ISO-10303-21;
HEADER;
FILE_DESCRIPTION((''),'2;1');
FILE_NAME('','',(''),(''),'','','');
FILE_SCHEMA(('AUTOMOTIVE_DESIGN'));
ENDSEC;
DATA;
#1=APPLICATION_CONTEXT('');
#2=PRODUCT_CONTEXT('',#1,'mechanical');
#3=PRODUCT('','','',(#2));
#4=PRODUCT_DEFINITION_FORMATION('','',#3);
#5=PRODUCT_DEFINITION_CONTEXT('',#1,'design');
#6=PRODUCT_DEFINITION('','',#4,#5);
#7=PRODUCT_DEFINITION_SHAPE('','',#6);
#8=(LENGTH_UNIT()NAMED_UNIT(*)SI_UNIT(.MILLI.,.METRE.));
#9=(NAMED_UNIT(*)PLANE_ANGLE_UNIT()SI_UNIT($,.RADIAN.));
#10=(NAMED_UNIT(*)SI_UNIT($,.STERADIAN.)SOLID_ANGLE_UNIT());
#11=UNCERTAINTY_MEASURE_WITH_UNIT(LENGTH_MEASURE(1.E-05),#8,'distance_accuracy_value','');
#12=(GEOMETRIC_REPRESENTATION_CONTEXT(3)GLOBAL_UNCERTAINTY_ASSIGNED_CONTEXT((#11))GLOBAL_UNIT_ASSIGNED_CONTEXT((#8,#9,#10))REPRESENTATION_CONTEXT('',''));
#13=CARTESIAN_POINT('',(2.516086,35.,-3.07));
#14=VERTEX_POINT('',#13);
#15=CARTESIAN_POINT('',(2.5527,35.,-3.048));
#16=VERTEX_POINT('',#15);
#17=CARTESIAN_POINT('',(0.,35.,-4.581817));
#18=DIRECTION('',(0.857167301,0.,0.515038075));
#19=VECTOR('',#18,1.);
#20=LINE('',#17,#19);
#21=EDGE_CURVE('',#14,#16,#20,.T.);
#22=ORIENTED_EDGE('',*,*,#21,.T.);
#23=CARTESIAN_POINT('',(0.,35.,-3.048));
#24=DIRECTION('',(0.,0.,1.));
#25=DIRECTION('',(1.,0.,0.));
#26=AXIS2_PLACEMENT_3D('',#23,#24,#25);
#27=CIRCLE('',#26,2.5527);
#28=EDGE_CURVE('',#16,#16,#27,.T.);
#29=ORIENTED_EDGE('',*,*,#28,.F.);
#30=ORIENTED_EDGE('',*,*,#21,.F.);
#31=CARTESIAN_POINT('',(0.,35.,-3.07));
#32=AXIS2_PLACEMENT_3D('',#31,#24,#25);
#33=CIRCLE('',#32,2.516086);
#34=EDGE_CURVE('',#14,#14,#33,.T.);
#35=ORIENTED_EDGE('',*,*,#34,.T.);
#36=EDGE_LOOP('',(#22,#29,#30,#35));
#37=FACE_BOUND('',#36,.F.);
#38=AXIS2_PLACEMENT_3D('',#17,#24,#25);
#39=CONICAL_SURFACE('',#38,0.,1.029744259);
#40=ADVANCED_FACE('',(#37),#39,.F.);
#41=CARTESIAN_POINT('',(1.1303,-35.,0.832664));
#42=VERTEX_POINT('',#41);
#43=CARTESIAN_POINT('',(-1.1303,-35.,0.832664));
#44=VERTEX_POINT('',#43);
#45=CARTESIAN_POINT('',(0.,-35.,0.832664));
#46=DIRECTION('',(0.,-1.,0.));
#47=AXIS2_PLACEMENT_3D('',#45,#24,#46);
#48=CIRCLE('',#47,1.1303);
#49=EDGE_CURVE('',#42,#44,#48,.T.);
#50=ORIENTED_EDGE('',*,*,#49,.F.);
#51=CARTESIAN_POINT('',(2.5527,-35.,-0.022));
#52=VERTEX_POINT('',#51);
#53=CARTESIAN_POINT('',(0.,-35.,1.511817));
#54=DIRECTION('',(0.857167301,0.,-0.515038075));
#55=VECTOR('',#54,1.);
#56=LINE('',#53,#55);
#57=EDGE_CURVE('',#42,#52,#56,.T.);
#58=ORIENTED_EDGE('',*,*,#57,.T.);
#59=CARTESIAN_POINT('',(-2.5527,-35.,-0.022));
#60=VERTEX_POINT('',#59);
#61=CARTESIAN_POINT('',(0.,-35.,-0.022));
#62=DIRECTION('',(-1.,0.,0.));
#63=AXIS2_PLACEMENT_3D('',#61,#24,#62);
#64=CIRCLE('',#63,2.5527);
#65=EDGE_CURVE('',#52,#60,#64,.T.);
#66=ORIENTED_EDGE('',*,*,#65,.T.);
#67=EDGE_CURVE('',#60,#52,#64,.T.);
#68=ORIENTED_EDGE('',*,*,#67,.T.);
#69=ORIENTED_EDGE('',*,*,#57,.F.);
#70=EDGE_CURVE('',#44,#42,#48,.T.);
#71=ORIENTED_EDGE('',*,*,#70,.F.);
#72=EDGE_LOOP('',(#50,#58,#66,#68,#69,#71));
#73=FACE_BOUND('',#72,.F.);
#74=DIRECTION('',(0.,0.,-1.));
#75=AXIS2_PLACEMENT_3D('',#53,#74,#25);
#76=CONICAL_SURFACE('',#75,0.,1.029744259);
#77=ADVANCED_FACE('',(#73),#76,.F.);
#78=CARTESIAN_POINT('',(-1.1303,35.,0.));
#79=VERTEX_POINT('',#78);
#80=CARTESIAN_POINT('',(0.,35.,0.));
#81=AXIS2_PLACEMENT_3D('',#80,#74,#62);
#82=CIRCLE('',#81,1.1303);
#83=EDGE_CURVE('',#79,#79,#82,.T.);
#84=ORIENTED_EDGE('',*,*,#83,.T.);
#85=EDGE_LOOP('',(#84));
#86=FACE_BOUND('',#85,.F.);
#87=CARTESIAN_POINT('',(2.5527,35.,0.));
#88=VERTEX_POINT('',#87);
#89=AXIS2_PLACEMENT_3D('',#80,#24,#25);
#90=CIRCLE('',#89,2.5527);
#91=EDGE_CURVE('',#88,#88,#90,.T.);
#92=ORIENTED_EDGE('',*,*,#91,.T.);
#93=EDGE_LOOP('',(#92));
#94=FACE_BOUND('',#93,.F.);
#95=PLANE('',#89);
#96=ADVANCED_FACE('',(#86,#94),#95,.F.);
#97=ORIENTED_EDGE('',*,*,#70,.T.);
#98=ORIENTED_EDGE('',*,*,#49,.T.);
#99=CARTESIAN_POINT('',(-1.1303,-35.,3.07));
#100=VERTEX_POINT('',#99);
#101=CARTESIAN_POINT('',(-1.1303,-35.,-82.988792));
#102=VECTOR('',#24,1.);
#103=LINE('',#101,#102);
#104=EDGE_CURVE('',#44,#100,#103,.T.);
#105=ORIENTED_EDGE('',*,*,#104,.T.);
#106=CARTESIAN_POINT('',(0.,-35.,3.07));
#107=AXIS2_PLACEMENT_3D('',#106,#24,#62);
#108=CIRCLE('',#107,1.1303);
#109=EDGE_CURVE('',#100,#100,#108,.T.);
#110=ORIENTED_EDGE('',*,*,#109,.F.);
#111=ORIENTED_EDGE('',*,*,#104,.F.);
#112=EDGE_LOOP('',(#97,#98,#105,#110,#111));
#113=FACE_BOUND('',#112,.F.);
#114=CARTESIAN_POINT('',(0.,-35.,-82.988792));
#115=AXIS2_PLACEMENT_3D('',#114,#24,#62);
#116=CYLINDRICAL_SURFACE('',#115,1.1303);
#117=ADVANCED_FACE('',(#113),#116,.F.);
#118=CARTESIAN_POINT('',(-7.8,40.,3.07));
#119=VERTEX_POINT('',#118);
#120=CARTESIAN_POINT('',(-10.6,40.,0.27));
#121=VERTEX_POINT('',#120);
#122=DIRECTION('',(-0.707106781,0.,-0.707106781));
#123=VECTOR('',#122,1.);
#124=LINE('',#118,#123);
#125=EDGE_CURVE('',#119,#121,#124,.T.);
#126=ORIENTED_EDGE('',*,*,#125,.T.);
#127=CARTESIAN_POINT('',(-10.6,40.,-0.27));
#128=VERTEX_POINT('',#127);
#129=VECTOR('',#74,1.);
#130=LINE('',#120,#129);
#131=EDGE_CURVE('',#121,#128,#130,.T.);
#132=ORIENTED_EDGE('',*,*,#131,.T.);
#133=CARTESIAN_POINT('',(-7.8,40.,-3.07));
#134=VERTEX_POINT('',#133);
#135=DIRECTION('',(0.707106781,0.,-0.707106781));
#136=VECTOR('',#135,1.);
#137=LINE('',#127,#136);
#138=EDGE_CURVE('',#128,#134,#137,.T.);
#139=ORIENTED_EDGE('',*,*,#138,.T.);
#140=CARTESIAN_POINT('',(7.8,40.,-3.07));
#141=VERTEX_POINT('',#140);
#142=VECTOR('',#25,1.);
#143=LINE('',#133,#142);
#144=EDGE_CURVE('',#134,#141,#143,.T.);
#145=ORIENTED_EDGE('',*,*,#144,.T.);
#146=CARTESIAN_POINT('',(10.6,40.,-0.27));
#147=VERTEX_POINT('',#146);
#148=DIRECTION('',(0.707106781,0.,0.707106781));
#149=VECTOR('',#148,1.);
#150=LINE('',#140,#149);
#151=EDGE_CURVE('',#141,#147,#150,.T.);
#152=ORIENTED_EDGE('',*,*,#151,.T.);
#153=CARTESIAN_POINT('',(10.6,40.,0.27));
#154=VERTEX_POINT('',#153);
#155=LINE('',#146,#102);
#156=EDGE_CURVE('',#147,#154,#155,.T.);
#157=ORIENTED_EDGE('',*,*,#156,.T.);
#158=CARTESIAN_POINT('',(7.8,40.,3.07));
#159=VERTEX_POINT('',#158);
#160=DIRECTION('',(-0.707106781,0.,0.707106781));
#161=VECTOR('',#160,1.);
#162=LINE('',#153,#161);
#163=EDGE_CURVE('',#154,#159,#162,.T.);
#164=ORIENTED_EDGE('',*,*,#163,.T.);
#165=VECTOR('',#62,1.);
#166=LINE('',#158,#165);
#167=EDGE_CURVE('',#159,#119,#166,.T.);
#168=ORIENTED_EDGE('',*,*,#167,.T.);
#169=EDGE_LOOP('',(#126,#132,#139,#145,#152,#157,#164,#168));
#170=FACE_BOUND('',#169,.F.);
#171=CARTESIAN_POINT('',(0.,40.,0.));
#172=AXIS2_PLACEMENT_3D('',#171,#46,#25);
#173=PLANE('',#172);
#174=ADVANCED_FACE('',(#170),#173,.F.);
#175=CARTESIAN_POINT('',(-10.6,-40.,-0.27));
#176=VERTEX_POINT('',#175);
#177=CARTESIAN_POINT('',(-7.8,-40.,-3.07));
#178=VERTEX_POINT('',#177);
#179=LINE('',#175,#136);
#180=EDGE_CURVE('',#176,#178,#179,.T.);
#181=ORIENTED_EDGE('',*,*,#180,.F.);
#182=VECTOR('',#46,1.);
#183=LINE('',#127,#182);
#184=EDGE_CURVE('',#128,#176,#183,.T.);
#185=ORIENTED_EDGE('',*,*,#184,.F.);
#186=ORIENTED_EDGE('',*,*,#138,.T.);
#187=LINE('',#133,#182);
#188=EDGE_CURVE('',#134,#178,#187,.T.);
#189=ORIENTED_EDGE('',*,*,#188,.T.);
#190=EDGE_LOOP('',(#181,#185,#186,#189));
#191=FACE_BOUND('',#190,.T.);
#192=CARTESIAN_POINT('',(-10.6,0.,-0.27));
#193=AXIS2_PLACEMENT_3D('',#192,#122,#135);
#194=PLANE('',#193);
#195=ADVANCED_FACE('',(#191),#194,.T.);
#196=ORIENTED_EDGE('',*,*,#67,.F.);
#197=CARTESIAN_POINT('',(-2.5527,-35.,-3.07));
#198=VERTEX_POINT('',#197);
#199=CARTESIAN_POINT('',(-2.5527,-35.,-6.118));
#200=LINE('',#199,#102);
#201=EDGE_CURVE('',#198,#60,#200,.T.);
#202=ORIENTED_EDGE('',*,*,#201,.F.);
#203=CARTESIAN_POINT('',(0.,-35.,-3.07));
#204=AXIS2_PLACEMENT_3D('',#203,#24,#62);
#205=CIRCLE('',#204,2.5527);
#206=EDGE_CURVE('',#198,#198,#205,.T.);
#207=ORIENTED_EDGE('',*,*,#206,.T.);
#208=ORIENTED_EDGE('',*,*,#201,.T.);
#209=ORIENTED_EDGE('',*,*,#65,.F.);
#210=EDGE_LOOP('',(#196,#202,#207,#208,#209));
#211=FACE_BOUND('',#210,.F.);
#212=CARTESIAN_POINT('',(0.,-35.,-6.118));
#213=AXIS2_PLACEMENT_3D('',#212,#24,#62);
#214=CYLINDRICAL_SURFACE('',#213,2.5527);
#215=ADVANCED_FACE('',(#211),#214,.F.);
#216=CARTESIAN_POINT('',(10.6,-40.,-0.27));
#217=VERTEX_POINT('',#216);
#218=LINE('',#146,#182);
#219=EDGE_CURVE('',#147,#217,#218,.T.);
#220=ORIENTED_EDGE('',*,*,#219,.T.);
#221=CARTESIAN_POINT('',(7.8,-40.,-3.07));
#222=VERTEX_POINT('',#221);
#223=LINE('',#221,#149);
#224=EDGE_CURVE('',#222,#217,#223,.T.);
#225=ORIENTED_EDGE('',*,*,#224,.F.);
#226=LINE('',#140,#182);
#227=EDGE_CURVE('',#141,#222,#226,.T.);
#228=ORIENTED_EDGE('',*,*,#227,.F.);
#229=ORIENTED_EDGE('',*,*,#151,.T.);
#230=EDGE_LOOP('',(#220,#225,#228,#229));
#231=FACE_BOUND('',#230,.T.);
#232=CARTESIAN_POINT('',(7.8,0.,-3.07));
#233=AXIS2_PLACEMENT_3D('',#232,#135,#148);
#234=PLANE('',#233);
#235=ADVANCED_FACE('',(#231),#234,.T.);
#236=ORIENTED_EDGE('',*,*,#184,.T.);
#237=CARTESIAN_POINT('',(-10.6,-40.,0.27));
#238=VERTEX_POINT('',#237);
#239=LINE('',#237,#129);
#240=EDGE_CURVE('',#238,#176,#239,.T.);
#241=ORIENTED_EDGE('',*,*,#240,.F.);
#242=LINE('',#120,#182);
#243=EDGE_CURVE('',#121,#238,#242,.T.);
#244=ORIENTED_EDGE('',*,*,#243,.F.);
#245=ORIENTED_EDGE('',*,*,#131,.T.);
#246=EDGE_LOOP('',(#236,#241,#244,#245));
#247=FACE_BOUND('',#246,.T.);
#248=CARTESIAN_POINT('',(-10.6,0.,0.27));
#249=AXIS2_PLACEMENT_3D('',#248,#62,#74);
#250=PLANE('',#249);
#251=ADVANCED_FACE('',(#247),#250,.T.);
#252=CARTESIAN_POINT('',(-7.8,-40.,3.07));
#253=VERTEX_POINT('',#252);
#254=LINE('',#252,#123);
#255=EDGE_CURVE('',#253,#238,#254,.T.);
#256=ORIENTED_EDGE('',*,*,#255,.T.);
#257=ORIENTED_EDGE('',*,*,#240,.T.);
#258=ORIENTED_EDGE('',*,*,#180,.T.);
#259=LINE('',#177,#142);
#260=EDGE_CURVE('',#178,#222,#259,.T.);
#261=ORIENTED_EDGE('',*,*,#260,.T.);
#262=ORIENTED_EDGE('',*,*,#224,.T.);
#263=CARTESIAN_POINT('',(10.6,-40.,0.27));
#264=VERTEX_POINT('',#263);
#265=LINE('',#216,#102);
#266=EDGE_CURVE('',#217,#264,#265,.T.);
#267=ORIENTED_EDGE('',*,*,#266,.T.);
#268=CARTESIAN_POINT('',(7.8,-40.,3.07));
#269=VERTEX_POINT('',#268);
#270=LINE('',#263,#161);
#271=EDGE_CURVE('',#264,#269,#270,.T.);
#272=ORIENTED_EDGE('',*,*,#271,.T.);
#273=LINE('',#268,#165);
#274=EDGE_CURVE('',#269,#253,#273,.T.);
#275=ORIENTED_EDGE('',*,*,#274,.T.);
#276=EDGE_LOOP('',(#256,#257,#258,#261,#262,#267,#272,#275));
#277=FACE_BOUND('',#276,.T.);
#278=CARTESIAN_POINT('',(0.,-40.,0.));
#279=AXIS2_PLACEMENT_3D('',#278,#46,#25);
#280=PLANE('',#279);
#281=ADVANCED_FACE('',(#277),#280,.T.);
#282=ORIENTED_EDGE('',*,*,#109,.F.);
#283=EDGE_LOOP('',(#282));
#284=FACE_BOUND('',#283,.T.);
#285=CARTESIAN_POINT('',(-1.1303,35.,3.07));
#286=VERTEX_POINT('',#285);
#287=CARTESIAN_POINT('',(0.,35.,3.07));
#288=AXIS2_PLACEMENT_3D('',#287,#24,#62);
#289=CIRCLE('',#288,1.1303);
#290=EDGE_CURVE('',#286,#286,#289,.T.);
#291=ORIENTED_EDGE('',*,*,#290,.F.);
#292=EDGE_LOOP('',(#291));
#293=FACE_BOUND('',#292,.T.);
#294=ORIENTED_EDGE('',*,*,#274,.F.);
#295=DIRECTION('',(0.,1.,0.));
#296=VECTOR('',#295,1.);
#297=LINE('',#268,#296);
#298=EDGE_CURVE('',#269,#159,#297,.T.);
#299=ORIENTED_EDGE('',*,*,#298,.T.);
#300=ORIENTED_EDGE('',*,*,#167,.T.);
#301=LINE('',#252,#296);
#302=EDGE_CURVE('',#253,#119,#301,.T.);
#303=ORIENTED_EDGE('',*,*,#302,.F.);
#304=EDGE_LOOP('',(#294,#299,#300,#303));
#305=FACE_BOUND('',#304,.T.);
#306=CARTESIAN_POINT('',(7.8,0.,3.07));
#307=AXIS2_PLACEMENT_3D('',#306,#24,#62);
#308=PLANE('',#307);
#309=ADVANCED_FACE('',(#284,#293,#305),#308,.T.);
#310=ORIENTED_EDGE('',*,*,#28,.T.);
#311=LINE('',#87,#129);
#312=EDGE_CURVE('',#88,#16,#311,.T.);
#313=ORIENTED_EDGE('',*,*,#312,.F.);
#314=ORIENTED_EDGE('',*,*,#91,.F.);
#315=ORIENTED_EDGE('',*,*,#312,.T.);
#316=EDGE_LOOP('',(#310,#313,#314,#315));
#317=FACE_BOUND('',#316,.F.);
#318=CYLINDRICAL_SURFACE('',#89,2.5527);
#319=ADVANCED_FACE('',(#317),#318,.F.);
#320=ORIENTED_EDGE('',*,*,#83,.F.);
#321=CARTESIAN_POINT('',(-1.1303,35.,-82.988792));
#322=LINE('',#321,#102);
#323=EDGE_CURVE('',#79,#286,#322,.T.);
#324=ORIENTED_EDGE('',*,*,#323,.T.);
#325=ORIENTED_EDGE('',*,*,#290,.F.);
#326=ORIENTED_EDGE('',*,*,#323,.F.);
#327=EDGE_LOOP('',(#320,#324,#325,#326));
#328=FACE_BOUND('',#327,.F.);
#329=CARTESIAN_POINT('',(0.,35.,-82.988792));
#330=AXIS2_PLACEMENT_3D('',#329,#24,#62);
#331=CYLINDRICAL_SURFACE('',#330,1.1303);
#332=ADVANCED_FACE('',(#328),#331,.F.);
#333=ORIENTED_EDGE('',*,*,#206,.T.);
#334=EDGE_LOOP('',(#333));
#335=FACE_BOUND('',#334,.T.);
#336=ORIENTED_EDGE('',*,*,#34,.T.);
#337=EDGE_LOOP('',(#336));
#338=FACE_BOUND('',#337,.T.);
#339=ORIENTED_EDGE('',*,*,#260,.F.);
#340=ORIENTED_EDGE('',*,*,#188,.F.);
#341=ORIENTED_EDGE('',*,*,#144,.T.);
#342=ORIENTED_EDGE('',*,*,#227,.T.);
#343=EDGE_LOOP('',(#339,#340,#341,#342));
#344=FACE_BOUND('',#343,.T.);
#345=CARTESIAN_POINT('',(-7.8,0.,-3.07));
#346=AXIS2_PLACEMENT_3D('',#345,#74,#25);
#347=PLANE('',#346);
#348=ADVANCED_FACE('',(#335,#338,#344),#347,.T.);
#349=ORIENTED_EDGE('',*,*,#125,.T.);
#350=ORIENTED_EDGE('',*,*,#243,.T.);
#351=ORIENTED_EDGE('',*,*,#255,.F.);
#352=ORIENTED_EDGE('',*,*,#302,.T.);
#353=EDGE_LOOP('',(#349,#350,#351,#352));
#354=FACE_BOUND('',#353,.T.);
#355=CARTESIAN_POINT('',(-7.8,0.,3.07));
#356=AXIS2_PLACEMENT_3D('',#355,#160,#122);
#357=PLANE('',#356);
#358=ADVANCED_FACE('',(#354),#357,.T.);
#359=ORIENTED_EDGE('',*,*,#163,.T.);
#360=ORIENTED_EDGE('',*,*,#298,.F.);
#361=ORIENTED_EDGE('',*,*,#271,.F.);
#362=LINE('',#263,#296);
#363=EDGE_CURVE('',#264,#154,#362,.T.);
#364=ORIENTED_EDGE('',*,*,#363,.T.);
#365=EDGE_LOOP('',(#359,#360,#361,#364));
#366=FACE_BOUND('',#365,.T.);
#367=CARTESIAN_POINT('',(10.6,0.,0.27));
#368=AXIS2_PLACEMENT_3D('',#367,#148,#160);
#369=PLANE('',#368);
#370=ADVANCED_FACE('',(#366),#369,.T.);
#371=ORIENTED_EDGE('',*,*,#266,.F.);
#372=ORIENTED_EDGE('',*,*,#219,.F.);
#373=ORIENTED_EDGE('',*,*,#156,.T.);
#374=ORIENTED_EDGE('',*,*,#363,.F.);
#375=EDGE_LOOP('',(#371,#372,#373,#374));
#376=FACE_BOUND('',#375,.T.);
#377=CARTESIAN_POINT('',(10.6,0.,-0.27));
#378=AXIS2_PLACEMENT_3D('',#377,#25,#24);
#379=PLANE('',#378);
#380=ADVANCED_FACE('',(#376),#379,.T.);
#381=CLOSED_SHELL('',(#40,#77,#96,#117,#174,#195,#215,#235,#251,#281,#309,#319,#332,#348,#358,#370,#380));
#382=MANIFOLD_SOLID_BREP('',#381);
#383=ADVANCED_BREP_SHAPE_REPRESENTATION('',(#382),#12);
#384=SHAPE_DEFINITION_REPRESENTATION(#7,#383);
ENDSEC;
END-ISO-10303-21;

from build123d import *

# Parameters (mm, degrees)
F1_DEPTH  = 40
F5_D      = 2.2606
F5_DEPTH  = 3.071
F6_D      = 2.2606
F7_D      = 2.2606
F7_DEPTH  = 3.071
F8_D      = 2.2606
F11_D     = 5.1054
F11_DEPTH = 3.048
F11_TIP   = 1.5338169022
F12_D     = 5.1054
F12_DEPTH = 3.048
F12_TIP   = 1.5338169022


with BuildPart() as f1:
    # F0 (on Front) → F1 (new body, symmetric)
    with BuildSketch(Plane.XZ):
        Polygon((-7.8, 3.07), (-10.6, 0.27), (-10.6, -0.27), (-7.8, -3.07), (7.8, -3.07), (10.6, -0.27), (10.6, 0.27), (7.8, 3.07), align=None)
    extrude(amount=F1_DEPTH, both=True)

    # F5 (through all, one way)
    with BuildSketch(Plane.XY):
        with Locations((0, -35)):
            Circle(F5_D / 2)
    extrude(amount=-F5_DEPTH, mode=Mode.SUBTRACT)

    # F6 (through all)
    with Locations(Plane(origin=(0, 0, 0), x_dir=(1, 0, 0), z_dir=(0, 0, -1))):
        with Locations((0, 35)):
            Hole(F6_D / 2)

    # F7 (through all, one way)
    with BuildSketch(Plane.XY):
        with Locations((0, 35)):
            Circle(F7_D / 2)
    extrude(amount=-F7_DEPTH, mode=Mode.SUBTRACT)

    # F8 (through all)
    with Locations(Plane(origin=(0, 0, 0), x_dir=(1, 0, 0), z_dir=(0, 0, -1))):
        with Locations((0, -35)):
            Hole(F8_D / 2)

    # F11
    with Locations(Plane(origin=(0, 0, -3.07), x_dir=(1, 0, 0), z_dir=(0, 0, -1))):
        with Locations((0, 35)):
            Hole(F11_D / 2, depth=F11_DEPTH)
            with Locations((0, 0, -(F11_DEPTH + F11_TIP / 2))):  # 118° drill point
                Cone(0, F11_D / 2, F11_TIP, mode=Mode.SUBTRACT)

    # F12 (one way)
    with BuildSketch(Plane.XY):
        with Locations((0, 35)):
            Circle(F12_D / 2)
    extrude(amount=-F12_DEPTH, mode=Mode.SUBTRACT)
    with Locations(Plane.XY):
        with Locations((0, 35)):
            with Locations((0, 0, -(F12_DEPTH + F12_TIP / 2))):  # 118° drill point
                Cone(0, F12_D / 2, F12_TIP, mode=Mode.SUBTRACT)


solid = f1.part
